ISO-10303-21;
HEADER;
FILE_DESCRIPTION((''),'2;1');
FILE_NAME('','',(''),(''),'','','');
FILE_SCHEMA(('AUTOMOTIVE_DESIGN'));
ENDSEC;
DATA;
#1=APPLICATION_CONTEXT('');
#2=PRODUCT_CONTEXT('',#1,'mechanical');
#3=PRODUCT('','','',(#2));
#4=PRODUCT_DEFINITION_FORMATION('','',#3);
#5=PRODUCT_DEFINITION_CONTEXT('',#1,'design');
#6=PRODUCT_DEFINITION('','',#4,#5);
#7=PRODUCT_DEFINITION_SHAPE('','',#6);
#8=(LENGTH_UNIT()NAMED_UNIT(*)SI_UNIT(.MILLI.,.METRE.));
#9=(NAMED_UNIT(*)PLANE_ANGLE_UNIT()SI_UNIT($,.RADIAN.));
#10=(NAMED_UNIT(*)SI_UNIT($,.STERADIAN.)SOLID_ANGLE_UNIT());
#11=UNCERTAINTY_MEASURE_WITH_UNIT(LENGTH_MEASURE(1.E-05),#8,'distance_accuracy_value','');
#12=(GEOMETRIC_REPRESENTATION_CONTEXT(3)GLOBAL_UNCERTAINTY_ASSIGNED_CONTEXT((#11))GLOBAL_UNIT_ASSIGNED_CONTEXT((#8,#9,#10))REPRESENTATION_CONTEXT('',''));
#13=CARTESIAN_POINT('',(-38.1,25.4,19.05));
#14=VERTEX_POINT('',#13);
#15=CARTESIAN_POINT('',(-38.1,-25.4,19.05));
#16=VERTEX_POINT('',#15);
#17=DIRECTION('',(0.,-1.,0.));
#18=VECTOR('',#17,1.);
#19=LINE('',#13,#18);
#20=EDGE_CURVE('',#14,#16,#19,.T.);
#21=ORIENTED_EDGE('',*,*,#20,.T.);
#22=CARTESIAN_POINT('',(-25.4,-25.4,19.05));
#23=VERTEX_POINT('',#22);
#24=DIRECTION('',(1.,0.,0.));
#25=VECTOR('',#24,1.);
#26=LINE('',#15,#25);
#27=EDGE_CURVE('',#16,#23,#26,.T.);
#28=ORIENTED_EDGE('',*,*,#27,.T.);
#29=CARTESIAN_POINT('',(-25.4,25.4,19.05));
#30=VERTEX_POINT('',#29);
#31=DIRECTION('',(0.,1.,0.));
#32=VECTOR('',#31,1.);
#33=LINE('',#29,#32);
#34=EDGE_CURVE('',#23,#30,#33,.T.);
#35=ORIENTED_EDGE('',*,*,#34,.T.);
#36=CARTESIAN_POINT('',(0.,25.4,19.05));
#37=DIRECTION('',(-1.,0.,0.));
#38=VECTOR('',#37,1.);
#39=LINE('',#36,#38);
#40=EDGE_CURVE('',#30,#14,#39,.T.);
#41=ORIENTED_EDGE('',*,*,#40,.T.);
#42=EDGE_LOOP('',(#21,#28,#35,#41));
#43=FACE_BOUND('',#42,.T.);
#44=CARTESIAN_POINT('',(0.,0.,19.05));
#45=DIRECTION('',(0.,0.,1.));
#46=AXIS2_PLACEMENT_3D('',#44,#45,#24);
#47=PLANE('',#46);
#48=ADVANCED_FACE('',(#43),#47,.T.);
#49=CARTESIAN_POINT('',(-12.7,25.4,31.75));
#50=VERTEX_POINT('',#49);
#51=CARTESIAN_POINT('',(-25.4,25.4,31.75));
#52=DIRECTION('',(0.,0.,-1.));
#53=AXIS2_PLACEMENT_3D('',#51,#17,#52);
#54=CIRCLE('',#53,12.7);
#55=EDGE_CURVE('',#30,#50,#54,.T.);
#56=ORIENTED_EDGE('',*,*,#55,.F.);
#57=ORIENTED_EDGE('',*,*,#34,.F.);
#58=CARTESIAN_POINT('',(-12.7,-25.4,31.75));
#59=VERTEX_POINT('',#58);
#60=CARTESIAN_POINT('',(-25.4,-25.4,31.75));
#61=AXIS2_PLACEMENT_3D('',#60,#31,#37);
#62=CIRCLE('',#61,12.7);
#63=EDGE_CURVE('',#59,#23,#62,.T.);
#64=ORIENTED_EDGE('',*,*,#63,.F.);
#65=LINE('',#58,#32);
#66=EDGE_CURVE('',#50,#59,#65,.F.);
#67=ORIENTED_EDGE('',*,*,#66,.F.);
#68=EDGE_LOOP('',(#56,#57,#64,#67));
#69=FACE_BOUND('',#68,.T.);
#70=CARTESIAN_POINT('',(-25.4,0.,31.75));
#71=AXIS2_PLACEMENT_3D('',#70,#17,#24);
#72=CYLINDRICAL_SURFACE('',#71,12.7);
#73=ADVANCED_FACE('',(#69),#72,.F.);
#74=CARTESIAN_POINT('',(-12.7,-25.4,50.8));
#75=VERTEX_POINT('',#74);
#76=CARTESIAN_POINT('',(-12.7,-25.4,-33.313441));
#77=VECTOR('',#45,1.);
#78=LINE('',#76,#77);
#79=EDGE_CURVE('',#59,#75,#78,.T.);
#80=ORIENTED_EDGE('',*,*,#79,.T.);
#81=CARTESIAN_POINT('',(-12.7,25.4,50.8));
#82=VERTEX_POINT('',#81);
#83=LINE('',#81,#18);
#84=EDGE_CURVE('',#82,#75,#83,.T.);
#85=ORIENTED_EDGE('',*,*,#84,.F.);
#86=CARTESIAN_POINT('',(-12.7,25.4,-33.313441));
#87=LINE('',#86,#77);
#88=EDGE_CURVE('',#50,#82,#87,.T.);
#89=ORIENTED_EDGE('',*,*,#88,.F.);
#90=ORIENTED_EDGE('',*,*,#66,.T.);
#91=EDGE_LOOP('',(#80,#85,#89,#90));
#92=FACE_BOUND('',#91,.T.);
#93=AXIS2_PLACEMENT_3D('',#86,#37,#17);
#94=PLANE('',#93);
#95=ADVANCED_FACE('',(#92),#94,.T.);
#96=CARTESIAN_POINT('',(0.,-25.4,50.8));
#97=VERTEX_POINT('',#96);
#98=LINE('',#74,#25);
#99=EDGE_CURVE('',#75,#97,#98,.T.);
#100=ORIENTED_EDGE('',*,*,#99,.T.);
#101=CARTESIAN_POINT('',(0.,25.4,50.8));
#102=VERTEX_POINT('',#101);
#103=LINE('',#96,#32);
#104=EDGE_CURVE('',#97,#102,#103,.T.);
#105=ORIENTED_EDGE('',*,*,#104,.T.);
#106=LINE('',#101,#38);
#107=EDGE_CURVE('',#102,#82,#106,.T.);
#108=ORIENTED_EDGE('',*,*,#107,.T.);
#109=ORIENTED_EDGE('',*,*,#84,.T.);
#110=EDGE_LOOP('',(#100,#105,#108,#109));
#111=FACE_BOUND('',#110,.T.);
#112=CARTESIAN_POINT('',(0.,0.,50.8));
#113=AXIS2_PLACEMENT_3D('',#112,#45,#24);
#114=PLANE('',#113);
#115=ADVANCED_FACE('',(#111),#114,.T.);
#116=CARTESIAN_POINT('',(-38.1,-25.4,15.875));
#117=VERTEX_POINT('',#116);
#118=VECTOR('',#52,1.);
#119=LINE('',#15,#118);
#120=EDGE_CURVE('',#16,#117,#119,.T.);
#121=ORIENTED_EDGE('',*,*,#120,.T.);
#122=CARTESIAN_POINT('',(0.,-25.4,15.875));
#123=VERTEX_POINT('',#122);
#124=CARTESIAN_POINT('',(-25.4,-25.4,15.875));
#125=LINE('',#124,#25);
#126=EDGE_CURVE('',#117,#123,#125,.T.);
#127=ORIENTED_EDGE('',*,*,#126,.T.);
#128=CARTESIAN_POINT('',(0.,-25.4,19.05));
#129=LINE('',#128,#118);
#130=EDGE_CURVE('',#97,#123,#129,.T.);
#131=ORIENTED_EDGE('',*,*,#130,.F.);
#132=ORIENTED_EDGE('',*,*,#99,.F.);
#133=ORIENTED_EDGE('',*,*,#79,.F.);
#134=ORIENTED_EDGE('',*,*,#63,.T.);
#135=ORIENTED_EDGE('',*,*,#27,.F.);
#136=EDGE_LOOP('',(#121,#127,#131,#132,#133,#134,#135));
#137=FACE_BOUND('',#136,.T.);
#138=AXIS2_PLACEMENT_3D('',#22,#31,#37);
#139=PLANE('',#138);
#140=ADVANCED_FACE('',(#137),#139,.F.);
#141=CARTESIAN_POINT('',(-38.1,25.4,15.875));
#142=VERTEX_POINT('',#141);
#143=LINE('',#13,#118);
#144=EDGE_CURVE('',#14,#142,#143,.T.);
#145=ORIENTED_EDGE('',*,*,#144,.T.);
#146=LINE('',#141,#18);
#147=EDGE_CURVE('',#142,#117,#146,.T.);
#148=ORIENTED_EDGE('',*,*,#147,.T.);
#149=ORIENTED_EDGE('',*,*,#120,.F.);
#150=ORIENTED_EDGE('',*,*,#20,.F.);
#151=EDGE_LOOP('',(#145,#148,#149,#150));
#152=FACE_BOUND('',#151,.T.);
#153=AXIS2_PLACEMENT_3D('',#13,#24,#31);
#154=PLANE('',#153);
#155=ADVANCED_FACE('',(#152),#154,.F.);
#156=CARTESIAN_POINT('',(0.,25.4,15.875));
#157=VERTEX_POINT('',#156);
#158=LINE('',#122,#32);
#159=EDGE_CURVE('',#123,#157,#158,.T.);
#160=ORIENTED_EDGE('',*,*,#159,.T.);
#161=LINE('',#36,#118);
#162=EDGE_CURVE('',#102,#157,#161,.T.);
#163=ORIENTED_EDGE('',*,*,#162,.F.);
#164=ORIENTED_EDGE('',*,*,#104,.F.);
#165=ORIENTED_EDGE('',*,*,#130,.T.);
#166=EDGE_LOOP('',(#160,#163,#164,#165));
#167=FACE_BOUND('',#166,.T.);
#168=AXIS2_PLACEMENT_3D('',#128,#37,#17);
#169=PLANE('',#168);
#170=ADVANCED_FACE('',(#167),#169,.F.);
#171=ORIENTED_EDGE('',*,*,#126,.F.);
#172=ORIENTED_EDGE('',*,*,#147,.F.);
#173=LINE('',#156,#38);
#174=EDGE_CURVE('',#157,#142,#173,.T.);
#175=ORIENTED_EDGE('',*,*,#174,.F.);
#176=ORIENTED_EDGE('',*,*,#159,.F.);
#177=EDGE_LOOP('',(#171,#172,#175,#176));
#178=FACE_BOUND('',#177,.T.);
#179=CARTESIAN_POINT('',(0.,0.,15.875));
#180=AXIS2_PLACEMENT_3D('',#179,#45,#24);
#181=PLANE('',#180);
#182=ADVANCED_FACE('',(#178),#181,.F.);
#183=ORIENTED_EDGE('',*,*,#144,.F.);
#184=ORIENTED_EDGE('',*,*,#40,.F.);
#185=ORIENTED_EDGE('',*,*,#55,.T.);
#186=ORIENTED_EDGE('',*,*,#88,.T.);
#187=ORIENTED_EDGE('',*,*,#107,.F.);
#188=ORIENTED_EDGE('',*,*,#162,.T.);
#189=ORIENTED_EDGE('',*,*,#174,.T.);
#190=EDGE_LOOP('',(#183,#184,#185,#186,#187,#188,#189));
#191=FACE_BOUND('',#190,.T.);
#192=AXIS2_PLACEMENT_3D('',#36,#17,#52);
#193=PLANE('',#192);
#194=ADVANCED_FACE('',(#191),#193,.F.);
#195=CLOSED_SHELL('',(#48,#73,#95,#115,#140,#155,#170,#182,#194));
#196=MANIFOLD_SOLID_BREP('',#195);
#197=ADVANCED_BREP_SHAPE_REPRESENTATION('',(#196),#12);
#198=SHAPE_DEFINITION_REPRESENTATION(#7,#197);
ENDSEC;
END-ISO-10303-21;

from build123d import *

# Parameters (mm, degrees)
BOSS_EXTRUDE1_DEPTH = 3.175
SKETCH2_W           = 12.7
SKETCH2_H           = 50.8
BOSS_EXTRUDE2_DEPTH = 31.75
FILLET1_R           = 12.7


with BuildPart() as part:
    # Sketch1 → Boss-Extrude1 (new body)
    with BuildSketch(Plane.XY.offset(15.875)):
        Polygon((-38.1, 25.4), (-38.1, -25.4), (-25.4, -25.4), (0, -25.4), (0, 25.4), align=None)
    extrude(amount=BOSS_EXTRUDE1_DEPTH)

    # Sketch2 → Boss-Extrude2 (add)
    with BuildSketch(Plane.XY.offset(50.8)):
        with Locations((-6.35, 0)):
            Rectangle(SKETCH2_W, SKETCH2_H)
    extrude(amount=-BOSS_EXTRUDE2_DEPTH)

    # Fillet1
    fillet1_edges = [part.edges().sort_by_distance(p)[0] for p in [
        (-12.7, 0, 19.05),
    ]]
    fillet(fillet1_edges, radius=FILLET1_R)


solid = part.part
